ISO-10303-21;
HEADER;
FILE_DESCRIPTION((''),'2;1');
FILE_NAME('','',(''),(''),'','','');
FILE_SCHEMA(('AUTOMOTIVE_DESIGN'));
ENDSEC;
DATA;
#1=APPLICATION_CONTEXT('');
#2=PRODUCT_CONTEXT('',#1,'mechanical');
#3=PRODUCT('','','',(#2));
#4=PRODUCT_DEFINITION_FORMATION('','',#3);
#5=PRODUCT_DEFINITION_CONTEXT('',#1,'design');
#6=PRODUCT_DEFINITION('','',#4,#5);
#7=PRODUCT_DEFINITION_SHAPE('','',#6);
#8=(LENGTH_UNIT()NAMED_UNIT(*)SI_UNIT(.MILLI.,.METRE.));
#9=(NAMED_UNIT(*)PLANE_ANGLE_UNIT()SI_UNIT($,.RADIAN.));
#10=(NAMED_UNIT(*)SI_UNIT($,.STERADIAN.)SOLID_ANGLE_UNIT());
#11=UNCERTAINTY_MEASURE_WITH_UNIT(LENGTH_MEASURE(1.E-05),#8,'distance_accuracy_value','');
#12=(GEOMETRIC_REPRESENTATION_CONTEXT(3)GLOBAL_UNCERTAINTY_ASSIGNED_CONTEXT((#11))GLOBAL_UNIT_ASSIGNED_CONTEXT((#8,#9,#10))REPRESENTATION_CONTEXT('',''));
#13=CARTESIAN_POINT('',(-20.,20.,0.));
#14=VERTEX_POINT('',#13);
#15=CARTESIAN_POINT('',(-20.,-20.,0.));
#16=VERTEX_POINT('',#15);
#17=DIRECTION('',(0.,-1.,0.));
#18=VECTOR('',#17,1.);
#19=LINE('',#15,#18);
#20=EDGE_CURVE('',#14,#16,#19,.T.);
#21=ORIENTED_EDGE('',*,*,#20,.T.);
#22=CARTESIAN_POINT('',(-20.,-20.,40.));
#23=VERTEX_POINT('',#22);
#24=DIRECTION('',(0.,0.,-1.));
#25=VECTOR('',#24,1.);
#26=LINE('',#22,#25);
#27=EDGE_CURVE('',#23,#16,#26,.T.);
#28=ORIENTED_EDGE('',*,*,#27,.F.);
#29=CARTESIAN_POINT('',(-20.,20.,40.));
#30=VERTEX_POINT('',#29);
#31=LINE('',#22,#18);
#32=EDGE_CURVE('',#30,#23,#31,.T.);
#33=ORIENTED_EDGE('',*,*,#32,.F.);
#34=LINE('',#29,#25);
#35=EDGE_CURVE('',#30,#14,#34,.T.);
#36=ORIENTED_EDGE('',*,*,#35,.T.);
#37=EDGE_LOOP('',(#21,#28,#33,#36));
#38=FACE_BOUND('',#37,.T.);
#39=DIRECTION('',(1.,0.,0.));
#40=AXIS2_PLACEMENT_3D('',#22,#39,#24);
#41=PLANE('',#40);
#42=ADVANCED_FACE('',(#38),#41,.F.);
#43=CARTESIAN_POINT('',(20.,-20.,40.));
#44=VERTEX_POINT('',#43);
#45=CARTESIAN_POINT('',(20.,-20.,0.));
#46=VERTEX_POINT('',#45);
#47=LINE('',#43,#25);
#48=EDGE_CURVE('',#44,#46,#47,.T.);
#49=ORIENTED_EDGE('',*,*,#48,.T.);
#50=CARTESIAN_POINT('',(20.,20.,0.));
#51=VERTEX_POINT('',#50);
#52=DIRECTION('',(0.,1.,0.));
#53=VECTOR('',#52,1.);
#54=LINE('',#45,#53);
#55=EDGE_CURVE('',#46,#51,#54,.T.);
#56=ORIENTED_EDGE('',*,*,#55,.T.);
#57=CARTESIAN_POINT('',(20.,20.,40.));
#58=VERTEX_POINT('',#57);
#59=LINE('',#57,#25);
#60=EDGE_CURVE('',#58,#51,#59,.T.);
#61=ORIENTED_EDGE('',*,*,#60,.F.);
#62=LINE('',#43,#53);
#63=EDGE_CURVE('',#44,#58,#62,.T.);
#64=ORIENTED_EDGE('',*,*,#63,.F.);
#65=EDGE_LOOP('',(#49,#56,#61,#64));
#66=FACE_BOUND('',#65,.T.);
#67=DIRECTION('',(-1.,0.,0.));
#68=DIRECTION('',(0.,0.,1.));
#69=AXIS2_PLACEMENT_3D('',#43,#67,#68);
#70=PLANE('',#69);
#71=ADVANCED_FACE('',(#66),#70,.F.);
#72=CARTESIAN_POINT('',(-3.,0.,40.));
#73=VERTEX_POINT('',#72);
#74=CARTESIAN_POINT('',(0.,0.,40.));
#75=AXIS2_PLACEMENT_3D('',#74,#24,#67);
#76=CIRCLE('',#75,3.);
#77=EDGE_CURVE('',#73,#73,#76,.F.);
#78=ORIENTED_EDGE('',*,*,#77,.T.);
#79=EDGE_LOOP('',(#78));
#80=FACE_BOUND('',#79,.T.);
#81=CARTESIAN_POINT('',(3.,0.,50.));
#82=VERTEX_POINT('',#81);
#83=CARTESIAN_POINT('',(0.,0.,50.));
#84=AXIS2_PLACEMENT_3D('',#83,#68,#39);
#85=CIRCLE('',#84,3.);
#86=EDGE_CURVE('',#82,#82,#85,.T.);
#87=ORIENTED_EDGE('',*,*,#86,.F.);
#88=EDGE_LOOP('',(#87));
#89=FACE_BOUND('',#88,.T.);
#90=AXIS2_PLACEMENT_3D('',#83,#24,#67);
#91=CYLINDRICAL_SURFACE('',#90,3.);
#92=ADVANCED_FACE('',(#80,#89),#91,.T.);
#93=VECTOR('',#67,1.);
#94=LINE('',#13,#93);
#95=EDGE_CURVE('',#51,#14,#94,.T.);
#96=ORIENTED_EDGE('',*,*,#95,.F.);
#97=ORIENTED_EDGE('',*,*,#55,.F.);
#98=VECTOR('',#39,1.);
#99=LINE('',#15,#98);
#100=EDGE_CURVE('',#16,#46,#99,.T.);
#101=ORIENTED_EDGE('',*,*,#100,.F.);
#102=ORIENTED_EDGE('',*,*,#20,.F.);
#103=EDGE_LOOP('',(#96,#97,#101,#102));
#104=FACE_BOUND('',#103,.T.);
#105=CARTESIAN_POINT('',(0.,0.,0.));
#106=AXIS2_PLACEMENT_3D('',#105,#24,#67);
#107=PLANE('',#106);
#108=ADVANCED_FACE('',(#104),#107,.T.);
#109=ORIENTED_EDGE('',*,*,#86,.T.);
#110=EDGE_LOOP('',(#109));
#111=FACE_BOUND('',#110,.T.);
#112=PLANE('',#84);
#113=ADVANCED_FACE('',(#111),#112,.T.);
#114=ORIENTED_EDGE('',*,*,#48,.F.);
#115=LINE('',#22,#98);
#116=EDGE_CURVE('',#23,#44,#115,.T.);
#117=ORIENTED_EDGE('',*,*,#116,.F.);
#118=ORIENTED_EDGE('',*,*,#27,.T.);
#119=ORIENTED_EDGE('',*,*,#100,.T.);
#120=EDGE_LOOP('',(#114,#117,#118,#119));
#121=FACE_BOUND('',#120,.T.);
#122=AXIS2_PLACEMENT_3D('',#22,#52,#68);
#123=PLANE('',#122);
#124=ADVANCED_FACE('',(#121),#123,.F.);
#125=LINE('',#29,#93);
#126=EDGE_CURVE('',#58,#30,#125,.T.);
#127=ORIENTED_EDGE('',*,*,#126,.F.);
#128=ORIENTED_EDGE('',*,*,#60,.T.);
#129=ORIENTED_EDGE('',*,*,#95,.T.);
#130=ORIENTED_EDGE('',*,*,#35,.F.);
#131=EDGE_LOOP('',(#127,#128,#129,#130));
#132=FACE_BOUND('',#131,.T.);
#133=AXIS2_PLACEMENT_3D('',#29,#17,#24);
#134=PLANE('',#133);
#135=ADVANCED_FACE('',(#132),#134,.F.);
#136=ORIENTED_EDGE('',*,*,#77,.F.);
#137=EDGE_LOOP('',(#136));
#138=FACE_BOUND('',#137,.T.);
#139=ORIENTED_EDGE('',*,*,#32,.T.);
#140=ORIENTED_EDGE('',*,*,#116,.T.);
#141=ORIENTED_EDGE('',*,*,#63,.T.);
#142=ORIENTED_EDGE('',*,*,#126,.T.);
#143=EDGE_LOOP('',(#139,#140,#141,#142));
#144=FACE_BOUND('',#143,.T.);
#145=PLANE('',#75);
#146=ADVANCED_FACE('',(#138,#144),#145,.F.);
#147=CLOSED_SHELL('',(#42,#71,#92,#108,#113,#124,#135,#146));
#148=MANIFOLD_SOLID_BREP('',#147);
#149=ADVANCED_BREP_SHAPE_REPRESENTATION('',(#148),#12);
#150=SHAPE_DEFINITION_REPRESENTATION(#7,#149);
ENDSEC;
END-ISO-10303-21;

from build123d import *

# Parameters (mm, degrees)
SKETCH1_W           = 40
SKETCH1_H           = 40
BOSS_EXTRUDE1_DEPTH = 40
SKETCH2_R           = 3
BOSS_EXTRUDE2_DEPTH = 10


with BuildPart() as part:
    # Sketch1 → Boss-Extrude1 (new body)
    with BuildSketch(Plane.XY):
        Rectangle(SKETCH1_W, SKETCH1_H)
    extrude(amount=BOSS_EXTRUDE1_DEPTH)

    # Sketch2 → Boss-Extrude2 (add)
    with BuildSketch(Plane.XY.offset(40)):
        Circle(SKETCH2_R)
    extrude(amount=BOSS_EXTRUDE2_DEPTH)


solid = part.part
